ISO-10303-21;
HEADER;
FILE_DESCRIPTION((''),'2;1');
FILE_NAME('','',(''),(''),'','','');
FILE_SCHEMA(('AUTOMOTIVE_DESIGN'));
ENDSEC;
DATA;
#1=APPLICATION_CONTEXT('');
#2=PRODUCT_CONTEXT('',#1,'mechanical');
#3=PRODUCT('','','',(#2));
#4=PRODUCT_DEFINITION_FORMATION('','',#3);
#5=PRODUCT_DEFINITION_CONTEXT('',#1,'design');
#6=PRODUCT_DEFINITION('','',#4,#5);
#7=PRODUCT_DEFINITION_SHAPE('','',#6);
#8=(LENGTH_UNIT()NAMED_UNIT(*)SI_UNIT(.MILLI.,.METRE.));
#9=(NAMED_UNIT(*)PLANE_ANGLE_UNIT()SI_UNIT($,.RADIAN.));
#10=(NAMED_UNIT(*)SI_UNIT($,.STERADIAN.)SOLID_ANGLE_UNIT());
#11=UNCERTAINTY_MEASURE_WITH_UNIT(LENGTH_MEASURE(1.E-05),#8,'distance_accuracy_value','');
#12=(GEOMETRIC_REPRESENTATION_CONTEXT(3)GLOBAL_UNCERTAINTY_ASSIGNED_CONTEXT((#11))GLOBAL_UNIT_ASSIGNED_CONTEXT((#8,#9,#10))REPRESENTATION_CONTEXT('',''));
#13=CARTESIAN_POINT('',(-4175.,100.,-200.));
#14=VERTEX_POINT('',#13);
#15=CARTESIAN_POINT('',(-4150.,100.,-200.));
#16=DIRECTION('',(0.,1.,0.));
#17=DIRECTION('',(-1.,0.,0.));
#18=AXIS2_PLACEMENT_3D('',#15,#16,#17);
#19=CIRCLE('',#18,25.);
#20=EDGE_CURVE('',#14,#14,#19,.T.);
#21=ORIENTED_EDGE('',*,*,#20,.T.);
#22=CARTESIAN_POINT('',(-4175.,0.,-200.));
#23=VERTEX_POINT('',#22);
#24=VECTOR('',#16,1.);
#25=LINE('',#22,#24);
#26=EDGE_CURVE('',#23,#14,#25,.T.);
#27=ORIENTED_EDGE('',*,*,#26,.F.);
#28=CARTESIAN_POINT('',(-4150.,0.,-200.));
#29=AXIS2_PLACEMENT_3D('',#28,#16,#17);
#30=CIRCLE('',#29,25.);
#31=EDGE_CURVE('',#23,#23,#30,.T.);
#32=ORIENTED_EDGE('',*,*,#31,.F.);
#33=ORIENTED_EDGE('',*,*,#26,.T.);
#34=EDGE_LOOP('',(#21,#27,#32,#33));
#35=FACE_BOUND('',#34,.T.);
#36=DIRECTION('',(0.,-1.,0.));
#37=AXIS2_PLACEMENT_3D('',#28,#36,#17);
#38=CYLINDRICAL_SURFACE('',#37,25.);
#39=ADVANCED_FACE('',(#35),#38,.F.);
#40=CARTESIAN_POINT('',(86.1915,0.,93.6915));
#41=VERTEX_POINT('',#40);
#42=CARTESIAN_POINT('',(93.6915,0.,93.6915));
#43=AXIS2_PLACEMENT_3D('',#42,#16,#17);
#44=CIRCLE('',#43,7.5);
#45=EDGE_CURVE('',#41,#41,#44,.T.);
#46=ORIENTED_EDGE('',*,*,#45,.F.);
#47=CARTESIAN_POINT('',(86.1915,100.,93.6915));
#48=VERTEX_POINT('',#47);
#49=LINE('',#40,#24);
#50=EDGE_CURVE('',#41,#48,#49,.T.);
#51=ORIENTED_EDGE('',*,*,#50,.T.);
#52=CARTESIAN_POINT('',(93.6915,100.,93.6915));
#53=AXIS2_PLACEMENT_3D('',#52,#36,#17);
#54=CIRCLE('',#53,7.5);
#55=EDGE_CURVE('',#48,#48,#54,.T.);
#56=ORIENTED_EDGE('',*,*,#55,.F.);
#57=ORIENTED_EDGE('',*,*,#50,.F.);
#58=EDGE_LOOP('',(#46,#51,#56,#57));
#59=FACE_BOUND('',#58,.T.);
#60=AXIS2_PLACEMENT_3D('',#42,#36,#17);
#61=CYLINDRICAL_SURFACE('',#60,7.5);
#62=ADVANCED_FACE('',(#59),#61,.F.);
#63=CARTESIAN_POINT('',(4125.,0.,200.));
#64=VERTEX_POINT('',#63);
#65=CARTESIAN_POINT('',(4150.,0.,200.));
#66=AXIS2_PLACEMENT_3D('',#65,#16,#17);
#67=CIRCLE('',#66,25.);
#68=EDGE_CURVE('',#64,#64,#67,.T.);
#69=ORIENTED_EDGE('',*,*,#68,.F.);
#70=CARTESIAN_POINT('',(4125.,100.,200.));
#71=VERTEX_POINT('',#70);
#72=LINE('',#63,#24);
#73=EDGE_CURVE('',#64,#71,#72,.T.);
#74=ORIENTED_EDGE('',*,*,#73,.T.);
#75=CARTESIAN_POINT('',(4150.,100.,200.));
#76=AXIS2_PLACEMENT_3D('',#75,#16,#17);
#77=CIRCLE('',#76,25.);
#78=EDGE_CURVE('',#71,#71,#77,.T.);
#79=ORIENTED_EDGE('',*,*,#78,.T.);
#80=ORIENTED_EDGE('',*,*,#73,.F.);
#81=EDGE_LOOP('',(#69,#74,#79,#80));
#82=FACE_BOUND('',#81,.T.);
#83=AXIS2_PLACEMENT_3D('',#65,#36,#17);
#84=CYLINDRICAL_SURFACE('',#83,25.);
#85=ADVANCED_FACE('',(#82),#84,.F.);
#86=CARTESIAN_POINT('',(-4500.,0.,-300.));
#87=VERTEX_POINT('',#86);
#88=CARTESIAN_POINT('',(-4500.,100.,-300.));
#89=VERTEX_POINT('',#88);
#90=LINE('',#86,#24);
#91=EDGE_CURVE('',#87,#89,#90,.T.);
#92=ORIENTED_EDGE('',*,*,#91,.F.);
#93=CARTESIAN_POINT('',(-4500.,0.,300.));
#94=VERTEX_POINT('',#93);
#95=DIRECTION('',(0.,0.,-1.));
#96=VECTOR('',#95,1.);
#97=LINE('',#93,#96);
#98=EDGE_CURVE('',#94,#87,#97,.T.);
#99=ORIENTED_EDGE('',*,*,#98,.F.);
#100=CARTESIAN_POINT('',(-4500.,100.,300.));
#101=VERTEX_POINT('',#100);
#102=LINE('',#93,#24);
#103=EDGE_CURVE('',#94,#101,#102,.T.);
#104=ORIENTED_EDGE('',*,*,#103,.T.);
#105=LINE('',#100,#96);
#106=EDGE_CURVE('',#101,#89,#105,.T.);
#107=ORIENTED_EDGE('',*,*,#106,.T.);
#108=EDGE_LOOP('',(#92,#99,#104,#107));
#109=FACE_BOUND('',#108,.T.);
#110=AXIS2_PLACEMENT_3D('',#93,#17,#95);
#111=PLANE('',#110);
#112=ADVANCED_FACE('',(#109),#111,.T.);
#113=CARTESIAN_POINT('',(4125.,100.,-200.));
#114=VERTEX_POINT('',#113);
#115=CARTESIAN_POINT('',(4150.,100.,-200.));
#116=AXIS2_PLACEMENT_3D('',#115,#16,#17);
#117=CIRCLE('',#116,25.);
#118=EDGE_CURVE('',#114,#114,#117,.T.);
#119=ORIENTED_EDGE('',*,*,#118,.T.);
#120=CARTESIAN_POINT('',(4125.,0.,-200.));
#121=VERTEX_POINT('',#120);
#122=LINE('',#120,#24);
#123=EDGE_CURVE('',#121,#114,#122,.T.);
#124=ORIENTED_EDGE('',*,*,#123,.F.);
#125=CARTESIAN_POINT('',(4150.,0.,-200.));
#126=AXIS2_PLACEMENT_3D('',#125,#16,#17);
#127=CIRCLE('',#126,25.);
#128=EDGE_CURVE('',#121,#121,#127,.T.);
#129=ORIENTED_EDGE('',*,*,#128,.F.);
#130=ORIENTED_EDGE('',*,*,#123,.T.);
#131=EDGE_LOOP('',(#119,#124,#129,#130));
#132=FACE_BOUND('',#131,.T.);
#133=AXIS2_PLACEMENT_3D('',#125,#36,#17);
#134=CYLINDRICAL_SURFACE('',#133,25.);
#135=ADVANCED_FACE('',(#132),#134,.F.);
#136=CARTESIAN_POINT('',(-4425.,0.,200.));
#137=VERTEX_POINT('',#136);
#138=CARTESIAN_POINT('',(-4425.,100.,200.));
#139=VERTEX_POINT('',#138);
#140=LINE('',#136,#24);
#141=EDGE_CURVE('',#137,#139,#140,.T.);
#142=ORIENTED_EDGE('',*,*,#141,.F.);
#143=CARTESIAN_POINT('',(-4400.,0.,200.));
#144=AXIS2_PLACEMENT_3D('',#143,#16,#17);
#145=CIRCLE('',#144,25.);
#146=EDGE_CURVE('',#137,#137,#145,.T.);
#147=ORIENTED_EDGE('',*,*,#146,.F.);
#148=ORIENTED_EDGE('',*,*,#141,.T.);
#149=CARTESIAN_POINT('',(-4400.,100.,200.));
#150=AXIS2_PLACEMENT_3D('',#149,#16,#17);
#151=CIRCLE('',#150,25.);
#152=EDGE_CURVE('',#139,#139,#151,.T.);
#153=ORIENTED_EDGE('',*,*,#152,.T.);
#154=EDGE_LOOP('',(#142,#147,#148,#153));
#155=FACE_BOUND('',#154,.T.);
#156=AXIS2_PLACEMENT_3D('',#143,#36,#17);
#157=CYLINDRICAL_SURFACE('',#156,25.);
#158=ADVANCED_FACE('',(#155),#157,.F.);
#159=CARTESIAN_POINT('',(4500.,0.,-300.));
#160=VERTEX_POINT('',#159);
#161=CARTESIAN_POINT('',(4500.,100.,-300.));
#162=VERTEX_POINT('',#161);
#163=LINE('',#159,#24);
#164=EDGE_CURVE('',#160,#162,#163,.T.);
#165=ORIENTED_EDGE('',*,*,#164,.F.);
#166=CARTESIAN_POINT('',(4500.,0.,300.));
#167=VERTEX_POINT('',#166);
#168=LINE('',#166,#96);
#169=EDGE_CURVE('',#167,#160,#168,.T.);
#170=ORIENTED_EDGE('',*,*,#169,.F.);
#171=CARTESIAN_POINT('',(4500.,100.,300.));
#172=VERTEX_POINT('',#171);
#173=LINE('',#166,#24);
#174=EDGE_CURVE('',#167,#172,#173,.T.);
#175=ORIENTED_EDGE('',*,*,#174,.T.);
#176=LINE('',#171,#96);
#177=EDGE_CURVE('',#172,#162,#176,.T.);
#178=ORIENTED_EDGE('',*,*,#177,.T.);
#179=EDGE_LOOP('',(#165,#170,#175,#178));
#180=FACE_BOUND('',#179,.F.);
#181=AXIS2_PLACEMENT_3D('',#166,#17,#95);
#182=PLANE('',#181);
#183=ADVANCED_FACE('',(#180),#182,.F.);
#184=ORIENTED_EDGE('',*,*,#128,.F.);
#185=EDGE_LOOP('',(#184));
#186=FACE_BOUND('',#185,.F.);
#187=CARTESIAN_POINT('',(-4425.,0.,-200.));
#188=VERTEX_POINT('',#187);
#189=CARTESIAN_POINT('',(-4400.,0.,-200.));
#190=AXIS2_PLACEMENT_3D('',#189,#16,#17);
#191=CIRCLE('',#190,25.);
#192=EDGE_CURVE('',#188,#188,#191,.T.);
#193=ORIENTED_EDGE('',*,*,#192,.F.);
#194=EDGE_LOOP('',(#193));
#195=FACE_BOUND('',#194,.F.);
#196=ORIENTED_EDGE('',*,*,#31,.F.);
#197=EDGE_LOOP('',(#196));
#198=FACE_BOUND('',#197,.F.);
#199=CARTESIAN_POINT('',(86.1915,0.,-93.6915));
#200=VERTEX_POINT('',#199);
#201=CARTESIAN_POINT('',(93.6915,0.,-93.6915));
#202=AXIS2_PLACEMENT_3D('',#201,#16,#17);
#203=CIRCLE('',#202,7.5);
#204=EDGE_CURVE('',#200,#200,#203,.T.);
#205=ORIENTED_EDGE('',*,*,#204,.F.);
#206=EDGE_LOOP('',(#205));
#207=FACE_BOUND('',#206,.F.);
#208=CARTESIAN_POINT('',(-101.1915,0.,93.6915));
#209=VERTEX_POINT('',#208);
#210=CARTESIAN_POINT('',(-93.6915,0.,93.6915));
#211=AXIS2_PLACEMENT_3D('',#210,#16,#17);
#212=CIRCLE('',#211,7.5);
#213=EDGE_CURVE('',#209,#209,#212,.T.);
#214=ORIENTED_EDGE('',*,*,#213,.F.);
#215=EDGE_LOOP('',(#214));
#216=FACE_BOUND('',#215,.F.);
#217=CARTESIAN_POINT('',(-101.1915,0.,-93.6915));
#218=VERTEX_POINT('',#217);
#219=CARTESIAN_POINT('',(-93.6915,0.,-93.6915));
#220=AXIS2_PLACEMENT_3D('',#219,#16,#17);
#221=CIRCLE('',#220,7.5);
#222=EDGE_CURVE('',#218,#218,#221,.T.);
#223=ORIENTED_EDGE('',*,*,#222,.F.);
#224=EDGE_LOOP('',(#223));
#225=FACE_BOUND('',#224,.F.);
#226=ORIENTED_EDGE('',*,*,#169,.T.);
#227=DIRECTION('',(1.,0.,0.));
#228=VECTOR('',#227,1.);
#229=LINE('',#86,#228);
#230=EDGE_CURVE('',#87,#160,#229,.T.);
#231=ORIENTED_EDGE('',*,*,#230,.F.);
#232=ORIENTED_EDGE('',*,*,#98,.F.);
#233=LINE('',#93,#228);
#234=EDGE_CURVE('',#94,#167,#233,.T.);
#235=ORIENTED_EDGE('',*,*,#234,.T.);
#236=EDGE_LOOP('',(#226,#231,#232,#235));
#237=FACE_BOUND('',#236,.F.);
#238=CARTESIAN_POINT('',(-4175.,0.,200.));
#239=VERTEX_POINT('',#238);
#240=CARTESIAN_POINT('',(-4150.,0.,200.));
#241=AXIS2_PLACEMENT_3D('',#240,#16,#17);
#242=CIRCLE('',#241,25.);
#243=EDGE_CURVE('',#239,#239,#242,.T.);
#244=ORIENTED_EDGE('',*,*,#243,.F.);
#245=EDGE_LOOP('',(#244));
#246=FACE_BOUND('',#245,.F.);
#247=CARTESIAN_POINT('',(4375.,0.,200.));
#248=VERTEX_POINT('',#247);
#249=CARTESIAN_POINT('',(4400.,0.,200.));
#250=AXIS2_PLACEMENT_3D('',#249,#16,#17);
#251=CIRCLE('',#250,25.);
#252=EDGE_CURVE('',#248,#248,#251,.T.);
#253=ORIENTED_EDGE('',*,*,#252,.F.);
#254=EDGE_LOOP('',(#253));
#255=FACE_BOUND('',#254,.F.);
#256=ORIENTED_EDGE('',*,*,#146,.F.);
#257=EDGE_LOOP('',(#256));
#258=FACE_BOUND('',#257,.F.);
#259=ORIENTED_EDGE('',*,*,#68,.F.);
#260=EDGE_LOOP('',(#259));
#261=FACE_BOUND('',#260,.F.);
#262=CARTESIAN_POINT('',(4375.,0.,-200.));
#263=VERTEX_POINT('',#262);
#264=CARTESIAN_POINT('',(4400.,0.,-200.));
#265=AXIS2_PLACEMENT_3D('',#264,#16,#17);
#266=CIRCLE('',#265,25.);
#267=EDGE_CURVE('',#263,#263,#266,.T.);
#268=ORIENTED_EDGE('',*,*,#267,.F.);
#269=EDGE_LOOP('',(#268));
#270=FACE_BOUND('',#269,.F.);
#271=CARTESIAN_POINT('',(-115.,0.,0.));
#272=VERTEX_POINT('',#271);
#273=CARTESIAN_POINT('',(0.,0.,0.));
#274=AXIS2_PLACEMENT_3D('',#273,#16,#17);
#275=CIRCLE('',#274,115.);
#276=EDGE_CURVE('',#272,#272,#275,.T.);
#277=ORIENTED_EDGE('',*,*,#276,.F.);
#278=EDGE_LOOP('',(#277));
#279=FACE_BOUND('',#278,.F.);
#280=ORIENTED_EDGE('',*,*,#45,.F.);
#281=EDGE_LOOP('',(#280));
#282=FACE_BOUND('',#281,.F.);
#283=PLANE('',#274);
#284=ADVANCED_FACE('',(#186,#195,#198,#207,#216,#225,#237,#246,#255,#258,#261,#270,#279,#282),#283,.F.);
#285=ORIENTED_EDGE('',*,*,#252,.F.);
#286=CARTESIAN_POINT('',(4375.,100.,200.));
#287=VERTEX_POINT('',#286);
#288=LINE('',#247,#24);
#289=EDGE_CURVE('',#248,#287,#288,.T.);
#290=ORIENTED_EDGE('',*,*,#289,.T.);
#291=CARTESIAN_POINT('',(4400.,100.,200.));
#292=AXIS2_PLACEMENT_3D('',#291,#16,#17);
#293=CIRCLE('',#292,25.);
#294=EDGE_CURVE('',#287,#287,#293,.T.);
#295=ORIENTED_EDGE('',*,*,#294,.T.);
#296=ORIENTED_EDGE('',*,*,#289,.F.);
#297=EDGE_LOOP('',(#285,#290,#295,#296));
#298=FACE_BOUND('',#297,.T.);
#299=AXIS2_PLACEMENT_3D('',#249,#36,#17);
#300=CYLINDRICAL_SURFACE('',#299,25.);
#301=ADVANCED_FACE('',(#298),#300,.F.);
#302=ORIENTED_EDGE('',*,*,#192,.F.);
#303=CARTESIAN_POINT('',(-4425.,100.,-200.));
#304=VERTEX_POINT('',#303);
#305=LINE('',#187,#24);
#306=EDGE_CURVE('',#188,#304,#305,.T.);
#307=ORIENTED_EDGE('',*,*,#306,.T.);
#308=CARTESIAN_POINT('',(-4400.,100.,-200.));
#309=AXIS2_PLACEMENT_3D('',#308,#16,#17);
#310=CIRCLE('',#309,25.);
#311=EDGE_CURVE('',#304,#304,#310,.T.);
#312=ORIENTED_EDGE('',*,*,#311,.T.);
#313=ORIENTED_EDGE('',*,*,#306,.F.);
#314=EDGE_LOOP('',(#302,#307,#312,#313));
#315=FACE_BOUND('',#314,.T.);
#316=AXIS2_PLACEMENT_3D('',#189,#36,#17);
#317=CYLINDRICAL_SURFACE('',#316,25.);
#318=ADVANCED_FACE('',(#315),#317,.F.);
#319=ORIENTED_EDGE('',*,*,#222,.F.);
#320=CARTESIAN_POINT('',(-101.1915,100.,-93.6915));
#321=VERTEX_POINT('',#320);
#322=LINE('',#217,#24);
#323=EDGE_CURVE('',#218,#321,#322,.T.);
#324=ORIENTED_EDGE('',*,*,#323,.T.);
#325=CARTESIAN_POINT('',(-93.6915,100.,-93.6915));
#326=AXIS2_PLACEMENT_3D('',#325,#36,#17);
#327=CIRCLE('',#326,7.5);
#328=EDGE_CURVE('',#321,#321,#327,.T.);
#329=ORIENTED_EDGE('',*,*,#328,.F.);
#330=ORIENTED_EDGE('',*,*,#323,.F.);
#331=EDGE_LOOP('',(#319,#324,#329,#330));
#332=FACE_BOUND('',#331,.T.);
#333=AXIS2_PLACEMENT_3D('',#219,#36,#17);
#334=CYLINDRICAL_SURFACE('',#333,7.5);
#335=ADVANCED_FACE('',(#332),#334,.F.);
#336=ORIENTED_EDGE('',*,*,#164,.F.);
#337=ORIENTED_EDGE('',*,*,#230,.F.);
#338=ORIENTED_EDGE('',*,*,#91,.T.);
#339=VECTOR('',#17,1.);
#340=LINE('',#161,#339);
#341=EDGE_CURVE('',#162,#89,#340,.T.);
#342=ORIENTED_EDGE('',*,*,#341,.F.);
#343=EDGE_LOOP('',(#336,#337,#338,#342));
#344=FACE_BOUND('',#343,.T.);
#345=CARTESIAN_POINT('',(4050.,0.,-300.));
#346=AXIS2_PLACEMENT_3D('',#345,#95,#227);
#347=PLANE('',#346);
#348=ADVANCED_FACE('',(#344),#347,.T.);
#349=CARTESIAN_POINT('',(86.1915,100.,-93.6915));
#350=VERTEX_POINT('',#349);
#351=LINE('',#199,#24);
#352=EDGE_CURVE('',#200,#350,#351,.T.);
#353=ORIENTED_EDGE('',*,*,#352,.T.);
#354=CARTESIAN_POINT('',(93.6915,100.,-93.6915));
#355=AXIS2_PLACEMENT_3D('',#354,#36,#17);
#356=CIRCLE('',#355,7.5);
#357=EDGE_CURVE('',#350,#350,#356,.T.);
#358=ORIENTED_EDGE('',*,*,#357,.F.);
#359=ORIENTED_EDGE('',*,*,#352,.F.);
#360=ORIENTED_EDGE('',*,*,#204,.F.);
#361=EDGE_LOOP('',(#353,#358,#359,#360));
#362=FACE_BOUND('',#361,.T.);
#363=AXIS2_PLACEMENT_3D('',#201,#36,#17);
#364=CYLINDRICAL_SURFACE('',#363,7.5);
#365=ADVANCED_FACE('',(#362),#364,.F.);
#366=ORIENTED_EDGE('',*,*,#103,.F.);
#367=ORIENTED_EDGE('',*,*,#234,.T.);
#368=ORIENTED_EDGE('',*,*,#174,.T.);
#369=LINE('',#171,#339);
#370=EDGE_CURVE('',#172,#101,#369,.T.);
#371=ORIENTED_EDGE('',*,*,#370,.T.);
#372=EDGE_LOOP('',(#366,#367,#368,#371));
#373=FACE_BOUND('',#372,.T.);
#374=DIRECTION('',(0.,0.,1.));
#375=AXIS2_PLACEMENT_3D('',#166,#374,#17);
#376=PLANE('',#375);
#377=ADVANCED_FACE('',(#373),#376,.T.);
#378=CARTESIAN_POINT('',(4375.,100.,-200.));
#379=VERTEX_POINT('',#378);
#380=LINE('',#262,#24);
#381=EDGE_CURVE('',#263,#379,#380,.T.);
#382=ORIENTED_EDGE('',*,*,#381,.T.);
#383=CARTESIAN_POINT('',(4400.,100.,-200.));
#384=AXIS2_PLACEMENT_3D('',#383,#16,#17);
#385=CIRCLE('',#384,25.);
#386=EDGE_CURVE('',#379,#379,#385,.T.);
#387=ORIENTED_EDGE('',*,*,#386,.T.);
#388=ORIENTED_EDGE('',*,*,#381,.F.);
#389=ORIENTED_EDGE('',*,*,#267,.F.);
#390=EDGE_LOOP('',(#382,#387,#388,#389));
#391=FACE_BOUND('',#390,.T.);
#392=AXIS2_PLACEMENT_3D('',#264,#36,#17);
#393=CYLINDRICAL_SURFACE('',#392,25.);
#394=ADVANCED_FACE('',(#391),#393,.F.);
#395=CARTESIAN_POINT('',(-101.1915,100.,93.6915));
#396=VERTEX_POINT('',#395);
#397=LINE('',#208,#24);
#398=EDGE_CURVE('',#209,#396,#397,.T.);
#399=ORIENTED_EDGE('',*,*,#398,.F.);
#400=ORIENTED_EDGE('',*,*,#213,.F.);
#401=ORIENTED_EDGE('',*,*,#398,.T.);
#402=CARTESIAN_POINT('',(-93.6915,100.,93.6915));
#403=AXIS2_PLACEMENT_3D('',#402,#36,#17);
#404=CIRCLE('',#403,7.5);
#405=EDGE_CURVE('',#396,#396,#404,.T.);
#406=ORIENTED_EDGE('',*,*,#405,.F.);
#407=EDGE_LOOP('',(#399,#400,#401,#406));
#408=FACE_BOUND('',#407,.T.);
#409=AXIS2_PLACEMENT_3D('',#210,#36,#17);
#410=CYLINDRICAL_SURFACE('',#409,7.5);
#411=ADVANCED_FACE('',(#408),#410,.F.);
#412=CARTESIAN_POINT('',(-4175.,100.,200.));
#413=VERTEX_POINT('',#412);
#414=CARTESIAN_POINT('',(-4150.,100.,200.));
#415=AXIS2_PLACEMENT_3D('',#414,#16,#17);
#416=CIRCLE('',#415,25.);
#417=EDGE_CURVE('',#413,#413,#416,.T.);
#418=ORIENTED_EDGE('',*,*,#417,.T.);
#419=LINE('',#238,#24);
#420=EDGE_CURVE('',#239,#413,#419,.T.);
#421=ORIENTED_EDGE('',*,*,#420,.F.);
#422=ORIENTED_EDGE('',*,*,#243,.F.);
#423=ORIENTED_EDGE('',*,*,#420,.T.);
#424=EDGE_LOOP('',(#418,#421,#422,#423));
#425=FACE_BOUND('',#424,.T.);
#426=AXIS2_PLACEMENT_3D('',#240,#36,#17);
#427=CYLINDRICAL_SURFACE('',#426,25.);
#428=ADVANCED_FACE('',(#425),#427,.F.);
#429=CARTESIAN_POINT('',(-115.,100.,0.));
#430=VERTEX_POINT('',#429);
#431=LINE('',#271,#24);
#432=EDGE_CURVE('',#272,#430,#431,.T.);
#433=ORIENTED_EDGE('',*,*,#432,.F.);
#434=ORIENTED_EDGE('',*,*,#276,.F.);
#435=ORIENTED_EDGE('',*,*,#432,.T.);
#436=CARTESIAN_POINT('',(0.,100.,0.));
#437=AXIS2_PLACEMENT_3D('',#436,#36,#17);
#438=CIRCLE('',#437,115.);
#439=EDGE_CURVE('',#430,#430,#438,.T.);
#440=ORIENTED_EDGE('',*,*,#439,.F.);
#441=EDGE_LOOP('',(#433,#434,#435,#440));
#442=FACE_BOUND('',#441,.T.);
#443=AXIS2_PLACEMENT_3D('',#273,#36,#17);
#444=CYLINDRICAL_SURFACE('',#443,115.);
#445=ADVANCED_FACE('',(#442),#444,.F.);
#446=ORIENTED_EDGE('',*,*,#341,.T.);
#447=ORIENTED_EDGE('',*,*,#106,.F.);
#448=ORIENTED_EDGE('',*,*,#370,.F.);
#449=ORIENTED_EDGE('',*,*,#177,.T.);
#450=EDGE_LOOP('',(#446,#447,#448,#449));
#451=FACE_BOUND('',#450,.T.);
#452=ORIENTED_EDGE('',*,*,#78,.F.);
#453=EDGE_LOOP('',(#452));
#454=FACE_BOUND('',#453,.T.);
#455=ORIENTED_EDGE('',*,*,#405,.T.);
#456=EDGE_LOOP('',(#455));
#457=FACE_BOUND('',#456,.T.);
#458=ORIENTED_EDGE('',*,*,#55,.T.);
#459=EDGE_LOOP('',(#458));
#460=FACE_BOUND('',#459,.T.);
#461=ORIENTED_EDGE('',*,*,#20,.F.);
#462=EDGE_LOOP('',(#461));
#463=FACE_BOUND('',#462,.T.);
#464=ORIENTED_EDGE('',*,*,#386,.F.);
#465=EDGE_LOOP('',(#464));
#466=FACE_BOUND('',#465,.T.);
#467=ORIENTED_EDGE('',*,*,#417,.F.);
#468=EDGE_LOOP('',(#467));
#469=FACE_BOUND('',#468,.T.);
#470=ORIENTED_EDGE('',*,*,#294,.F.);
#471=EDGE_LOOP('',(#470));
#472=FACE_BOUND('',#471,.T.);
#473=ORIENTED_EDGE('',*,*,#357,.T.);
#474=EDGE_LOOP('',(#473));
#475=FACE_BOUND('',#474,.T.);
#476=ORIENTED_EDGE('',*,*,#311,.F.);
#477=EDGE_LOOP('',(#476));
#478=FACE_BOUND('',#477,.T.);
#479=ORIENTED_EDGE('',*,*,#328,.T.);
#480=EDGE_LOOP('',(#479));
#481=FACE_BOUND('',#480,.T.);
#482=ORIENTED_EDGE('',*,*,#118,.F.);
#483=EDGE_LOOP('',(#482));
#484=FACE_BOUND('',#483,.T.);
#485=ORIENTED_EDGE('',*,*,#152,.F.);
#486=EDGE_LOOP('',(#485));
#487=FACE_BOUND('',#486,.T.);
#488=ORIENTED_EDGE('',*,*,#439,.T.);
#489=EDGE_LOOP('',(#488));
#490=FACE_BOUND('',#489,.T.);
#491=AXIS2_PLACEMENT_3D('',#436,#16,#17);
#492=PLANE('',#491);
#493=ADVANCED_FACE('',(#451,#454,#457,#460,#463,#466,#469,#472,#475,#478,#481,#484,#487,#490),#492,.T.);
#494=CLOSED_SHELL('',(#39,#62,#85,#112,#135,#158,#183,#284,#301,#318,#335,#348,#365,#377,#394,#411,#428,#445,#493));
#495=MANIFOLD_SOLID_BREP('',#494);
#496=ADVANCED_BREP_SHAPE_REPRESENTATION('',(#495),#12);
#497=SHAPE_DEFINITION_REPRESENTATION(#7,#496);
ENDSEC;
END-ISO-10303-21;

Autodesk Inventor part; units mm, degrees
ref_plane "YZ Plane" through (0, 0, 0) normal (1, 0, 0) x (0, 1, 0)
ref_plane "XZ Plane" through (0, 0, 0) normal (0, 1, 0) x (-1, 0, 0)
ref_plane "XY Plane" through (0, 0, 0) normal (0, 0, 1) x (1, 0, 0)
sketch "Sketch1" plane through (0, 0, 0) normal (0, 1, 0) x (-1, 0, 0)
  line L0 (-4500, 300) -> (-4500, -300)
  line L1 (4050, -300) -> (4500, -300)
  line L2 (-4500, 300) -> (4500, 300)
  line L3 (4500, 300) -> (4500, -300)
  line L4 (4500, -300) -> (-4500, -300)
  line L5 (-4500, -300) -> (-4500, 300)
  line L6 (4050, -300) -> (4500, -300)
  line L7 (4500, -300) -> (4500, 300)
  line L8 (4500, 300) -> (4050, 300)
  line L9 (4050, 300) -> (4050, -300) construction
  line L10 (4150, -300) -> (4150, 200) construction
  line L11 (4150, 200) -> (4500, 200) construction
  line L12 (4050, -200) -> (4500, -200) construction
  line L13 (4400, 300) -> (4400, -300) construction
  circle A0 centre (4400, -200) radius 25
  circle A1 centre (4150, -200) radius 25
  circle A2 centre (4400, 200) radius 25
  circle A3 centre (4150, 200) radius 25
  line L14 (0, -4359.7142) -> (0, 4067.2599) construction
  line L15 (-4050, -300) -> (-4500, -300)
  line L16 (-4500, 300) -> (-4500, -300)
  line L17 (-4050, -300) -> (-4500, -300)
  line L18 (-4500, -300) -> (-4500, 300)
  line L19 (-4500, 300) -> (-4050, 300)
  line L20 (-4050, 300) -> (-4050, -300) construction
  line L21 (-4150, -300) -> (-4150, 200) construction
  line L22 (-4150, 200) -> (-4500, 200) construction
  line L23 (-4050, -200) -> (-4500, -200) construction
  line L24 (-4400, 300) -> (-4400, -300) construction
  circle A4 centre (-4400, -200) radius 25
  circle A5 centre (-4150, -200) radius 25
  circle A6 centre (-4400, 200) radius 25
  circle A7 centre (-4150, 200) radius 25
  circle A8 centre (0, 0) radius 132.5
  line L25 (0, 0) -> (90.1995, 90.1995) construction
  line L26 (0, 0) -> (127.5614, 0) construction
  line L27 (93.6915, 93.6915) -> (-93.6915, 93.6915)
  line L28 (-93.6915, 93.6915) -> (-93.6915, -93.6915)
  line L29 (-93.6915, -93.6915) -> (93.6915, -93.6915)
  line L30 (93.6915, -93.6915) -> (93.6915, 93.6915)
  line L31 (93.6915, 93.6915) -> (-93.6915, -93.6915) construction
  line L32 (-93.6915, 93.6915) -> (93.6915, -93.6915) construction
  line L33 (93.6915, -93.6915) -> (0, 0)
  circle A9 centre (93.6915, -93.6915) radius 7.5
  circle A10 centre (-93.6915, -93.6915) radius 7.5
  circle A11 centre (93.6915, 93.6915) radius 7.5
  circle A12 centre (-93.6915, 93.6915) radius 7.5
  circle A13 centre (0, 0) radius 115
  dimension "d0" = 9000
  dimension "d1" = 600
  dimension "d2" = 300
  dimension "d5" = 450
  dimension "d6" = 100
  dimension "d7" = 100
  dimension "d8" = 100
  dimension "d9" = 50
  dimension "d10" = 50
  dimension "d11" = 50
  dimension "d12" = 50
  dimension "d13" = 265
  dimension "d16" = 45
  dimension "d22" = 187.383
  dimension "d23" = 187.383
  dimension "d24" = 15
  dimension "d25" = 15
  dimension "d26" = 15
  dimension "d27" = 15
  dimension "d28" = 230
extrude "Extrusion1" add sketch "Sketch1" along normal blind 100 contours L2 L3 L1 L4 L0 | A8 A9 L30 A13 A11 | L30 A13 L27 A11 | A9 L33 A13 L30 | A11 L27 A13 A12 A8 | A8 A10 L29 A13 A9 | L29 A13 L33 A9 | L27 A13 L28 A12 | A12 L28 A13 A10 A8 | A10 L28 A13 L29
properties part number "Traversa_chiusura" material "Aluminum 6061"
